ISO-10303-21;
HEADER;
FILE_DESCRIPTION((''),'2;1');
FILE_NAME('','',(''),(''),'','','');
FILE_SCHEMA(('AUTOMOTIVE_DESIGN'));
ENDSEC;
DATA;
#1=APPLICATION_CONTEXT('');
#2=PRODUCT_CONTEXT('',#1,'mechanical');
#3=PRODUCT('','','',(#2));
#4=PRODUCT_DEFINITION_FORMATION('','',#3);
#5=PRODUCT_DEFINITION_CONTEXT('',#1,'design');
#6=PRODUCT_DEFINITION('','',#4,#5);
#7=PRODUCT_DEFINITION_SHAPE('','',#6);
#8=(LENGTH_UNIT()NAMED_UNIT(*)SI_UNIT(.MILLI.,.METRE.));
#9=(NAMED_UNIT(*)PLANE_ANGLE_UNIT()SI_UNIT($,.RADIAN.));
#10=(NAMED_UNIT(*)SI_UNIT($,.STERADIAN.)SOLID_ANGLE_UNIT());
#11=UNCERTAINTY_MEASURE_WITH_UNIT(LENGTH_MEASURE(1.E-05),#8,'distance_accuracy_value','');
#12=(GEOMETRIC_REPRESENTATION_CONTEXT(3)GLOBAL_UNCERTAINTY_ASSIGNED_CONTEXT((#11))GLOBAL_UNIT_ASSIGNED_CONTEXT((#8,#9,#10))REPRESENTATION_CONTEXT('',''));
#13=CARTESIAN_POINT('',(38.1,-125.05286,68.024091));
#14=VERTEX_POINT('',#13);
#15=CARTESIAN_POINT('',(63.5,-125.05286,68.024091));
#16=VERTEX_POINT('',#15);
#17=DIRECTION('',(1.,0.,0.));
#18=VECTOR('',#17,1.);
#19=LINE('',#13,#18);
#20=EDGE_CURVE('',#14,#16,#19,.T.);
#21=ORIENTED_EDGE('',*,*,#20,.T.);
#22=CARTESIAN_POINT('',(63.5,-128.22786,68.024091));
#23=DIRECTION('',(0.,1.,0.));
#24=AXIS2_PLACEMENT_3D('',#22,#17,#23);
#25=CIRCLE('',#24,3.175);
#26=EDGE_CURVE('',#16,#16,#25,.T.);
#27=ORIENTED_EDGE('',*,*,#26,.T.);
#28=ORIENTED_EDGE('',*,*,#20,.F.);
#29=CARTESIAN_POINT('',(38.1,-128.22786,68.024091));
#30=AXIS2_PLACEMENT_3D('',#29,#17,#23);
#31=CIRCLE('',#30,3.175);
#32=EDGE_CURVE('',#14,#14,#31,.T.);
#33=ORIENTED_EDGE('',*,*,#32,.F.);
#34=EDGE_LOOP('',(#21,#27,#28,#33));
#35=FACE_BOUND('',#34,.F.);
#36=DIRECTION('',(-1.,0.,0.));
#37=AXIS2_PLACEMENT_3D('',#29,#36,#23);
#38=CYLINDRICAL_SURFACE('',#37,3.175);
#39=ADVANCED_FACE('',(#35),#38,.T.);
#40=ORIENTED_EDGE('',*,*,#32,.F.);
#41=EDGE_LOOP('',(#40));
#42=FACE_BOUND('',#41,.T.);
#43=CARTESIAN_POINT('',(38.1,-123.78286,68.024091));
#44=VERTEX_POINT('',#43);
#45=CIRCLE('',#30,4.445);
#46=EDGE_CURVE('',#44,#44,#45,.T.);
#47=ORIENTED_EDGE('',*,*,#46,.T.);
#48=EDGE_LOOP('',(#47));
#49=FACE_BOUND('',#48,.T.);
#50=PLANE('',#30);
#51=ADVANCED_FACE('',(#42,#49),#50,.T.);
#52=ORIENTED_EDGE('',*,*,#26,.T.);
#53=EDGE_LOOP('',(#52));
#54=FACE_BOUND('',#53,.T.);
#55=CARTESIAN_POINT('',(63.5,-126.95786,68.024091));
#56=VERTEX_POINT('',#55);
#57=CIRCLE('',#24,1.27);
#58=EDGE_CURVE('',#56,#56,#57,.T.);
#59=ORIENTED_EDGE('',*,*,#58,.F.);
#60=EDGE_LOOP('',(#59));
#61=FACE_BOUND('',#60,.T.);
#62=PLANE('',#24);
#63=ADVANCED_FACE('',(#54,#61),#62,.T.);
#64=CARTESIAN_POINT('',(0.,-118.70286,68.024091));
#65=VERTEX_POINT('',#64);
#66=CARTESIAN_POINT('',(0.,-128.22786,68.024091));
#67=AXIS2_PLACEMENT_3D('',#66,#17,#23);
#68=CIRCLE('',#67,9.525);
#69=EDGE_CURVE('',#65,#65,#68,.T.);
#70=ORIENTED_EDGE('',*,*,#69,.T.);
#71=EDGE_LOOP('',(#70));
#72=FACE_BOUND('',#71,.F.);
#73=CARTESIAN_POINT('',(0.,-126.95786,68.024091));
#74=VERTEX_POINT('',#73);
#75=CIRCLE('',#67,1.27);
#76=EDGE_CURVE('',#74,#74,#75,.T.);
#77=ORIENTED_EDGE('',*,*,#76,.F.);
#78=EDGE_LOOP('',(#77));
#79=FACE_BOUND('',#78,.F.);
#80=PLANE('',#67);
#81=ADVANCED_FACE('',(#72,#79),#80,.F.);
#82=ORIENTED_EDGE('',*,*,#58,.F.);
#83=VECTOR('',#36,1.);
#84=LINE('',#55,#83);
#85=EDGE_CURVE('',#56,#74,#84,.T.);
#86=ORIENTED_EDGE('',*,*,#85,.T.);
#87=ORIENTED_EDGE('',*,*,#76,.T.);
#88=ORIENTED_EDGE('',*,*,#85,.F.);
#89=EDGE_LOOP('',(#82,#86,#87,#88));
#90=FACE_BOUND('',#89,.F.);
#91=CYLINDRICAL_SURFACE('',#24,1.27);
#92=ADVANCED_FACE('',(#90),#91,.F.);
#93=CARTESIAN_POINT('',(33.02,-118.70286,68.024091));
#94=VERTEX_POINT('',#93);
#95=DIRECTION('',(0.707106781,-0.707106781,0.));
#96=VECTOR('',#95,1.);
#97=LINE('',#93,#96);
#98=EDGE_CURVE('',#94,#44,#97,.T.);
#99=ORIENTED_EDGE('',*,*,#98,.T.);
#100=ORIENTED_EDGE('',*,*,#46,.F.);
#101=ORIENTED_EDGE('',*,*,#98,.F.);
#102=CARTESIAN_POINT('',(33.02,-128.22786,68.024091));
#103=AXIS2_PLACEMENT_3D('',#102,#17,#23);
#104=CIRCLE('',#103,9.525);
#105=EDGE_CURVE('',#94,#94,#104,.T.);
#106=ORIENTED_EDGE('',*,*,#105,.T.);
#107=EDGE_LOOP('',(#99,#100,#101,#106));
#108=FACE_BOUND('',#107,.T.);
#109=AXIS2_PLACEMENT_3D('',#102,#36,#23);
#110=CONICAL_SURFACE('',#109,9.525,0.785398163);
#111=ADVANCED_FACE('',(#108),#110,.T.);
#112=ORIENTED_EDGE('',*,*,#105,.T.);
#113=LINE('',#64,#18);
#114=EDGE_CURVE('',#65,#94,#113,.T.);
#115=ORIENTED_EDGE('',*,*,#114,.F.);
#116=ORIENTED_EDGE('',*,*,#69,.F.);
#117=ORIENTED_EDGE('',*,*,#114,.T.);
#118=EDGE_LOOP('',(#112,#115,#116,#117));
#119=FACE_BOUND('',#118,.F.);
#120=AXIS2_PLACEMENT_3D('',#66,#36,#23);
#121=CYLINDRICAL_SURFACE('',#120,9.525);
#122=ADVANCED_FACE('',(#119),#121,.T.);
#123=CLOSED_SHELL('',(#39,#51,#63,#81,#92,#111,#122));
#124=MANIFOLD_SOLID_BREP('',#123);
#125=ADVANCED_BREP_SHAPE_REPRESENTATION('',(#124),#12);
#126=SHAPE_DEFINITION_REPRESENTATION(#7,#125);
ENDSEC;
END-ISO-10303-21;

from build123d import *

# Parameters (mm, degrees)
F0_R     = 9.525
F1_DEPTH = 38.1
F2_SIZE  = 5.08
F3_R     = 3.175
F4_DEPTH = 25.4
F5_R     = 1.27
F6_DEPTH = 189.484


with BuildPart() as f1:
    # F0 (on Right) → F1 (new body)
    with BuildSketch(Plane.YZ):
        with Locations((-128.22786, 68.024091)):
            Circle(F0_R)
    extrude(amount=F1_DEPTH)

    # F2
    f2_edges = [f1.edges().sort_by_distance(p)[0] for p in [
        (38.1, -137.75286, 68.024091),
    ]]
    chamfer(f2_edges, length=F2_SIZE)

    # F3 (on face) → F4 (join)
    with BuildSketch(Plane.YZ.offset(38.1)):
        with Locations((-128.22786, 68.024091)):
            Circle(F3_R)
    extrude(amount=F4_DEPTH)

    # F5 (on face) → F6 (cut)
    with BuildSketch(Plane.YZ.offset(63.5)):
        with Locations((-128.22786, 68.024091)):
            Circle(F5_R)
    extrude(amount=-F6_DEPTH, mode=Mode.SUBTRACT)


solid = f1.part
